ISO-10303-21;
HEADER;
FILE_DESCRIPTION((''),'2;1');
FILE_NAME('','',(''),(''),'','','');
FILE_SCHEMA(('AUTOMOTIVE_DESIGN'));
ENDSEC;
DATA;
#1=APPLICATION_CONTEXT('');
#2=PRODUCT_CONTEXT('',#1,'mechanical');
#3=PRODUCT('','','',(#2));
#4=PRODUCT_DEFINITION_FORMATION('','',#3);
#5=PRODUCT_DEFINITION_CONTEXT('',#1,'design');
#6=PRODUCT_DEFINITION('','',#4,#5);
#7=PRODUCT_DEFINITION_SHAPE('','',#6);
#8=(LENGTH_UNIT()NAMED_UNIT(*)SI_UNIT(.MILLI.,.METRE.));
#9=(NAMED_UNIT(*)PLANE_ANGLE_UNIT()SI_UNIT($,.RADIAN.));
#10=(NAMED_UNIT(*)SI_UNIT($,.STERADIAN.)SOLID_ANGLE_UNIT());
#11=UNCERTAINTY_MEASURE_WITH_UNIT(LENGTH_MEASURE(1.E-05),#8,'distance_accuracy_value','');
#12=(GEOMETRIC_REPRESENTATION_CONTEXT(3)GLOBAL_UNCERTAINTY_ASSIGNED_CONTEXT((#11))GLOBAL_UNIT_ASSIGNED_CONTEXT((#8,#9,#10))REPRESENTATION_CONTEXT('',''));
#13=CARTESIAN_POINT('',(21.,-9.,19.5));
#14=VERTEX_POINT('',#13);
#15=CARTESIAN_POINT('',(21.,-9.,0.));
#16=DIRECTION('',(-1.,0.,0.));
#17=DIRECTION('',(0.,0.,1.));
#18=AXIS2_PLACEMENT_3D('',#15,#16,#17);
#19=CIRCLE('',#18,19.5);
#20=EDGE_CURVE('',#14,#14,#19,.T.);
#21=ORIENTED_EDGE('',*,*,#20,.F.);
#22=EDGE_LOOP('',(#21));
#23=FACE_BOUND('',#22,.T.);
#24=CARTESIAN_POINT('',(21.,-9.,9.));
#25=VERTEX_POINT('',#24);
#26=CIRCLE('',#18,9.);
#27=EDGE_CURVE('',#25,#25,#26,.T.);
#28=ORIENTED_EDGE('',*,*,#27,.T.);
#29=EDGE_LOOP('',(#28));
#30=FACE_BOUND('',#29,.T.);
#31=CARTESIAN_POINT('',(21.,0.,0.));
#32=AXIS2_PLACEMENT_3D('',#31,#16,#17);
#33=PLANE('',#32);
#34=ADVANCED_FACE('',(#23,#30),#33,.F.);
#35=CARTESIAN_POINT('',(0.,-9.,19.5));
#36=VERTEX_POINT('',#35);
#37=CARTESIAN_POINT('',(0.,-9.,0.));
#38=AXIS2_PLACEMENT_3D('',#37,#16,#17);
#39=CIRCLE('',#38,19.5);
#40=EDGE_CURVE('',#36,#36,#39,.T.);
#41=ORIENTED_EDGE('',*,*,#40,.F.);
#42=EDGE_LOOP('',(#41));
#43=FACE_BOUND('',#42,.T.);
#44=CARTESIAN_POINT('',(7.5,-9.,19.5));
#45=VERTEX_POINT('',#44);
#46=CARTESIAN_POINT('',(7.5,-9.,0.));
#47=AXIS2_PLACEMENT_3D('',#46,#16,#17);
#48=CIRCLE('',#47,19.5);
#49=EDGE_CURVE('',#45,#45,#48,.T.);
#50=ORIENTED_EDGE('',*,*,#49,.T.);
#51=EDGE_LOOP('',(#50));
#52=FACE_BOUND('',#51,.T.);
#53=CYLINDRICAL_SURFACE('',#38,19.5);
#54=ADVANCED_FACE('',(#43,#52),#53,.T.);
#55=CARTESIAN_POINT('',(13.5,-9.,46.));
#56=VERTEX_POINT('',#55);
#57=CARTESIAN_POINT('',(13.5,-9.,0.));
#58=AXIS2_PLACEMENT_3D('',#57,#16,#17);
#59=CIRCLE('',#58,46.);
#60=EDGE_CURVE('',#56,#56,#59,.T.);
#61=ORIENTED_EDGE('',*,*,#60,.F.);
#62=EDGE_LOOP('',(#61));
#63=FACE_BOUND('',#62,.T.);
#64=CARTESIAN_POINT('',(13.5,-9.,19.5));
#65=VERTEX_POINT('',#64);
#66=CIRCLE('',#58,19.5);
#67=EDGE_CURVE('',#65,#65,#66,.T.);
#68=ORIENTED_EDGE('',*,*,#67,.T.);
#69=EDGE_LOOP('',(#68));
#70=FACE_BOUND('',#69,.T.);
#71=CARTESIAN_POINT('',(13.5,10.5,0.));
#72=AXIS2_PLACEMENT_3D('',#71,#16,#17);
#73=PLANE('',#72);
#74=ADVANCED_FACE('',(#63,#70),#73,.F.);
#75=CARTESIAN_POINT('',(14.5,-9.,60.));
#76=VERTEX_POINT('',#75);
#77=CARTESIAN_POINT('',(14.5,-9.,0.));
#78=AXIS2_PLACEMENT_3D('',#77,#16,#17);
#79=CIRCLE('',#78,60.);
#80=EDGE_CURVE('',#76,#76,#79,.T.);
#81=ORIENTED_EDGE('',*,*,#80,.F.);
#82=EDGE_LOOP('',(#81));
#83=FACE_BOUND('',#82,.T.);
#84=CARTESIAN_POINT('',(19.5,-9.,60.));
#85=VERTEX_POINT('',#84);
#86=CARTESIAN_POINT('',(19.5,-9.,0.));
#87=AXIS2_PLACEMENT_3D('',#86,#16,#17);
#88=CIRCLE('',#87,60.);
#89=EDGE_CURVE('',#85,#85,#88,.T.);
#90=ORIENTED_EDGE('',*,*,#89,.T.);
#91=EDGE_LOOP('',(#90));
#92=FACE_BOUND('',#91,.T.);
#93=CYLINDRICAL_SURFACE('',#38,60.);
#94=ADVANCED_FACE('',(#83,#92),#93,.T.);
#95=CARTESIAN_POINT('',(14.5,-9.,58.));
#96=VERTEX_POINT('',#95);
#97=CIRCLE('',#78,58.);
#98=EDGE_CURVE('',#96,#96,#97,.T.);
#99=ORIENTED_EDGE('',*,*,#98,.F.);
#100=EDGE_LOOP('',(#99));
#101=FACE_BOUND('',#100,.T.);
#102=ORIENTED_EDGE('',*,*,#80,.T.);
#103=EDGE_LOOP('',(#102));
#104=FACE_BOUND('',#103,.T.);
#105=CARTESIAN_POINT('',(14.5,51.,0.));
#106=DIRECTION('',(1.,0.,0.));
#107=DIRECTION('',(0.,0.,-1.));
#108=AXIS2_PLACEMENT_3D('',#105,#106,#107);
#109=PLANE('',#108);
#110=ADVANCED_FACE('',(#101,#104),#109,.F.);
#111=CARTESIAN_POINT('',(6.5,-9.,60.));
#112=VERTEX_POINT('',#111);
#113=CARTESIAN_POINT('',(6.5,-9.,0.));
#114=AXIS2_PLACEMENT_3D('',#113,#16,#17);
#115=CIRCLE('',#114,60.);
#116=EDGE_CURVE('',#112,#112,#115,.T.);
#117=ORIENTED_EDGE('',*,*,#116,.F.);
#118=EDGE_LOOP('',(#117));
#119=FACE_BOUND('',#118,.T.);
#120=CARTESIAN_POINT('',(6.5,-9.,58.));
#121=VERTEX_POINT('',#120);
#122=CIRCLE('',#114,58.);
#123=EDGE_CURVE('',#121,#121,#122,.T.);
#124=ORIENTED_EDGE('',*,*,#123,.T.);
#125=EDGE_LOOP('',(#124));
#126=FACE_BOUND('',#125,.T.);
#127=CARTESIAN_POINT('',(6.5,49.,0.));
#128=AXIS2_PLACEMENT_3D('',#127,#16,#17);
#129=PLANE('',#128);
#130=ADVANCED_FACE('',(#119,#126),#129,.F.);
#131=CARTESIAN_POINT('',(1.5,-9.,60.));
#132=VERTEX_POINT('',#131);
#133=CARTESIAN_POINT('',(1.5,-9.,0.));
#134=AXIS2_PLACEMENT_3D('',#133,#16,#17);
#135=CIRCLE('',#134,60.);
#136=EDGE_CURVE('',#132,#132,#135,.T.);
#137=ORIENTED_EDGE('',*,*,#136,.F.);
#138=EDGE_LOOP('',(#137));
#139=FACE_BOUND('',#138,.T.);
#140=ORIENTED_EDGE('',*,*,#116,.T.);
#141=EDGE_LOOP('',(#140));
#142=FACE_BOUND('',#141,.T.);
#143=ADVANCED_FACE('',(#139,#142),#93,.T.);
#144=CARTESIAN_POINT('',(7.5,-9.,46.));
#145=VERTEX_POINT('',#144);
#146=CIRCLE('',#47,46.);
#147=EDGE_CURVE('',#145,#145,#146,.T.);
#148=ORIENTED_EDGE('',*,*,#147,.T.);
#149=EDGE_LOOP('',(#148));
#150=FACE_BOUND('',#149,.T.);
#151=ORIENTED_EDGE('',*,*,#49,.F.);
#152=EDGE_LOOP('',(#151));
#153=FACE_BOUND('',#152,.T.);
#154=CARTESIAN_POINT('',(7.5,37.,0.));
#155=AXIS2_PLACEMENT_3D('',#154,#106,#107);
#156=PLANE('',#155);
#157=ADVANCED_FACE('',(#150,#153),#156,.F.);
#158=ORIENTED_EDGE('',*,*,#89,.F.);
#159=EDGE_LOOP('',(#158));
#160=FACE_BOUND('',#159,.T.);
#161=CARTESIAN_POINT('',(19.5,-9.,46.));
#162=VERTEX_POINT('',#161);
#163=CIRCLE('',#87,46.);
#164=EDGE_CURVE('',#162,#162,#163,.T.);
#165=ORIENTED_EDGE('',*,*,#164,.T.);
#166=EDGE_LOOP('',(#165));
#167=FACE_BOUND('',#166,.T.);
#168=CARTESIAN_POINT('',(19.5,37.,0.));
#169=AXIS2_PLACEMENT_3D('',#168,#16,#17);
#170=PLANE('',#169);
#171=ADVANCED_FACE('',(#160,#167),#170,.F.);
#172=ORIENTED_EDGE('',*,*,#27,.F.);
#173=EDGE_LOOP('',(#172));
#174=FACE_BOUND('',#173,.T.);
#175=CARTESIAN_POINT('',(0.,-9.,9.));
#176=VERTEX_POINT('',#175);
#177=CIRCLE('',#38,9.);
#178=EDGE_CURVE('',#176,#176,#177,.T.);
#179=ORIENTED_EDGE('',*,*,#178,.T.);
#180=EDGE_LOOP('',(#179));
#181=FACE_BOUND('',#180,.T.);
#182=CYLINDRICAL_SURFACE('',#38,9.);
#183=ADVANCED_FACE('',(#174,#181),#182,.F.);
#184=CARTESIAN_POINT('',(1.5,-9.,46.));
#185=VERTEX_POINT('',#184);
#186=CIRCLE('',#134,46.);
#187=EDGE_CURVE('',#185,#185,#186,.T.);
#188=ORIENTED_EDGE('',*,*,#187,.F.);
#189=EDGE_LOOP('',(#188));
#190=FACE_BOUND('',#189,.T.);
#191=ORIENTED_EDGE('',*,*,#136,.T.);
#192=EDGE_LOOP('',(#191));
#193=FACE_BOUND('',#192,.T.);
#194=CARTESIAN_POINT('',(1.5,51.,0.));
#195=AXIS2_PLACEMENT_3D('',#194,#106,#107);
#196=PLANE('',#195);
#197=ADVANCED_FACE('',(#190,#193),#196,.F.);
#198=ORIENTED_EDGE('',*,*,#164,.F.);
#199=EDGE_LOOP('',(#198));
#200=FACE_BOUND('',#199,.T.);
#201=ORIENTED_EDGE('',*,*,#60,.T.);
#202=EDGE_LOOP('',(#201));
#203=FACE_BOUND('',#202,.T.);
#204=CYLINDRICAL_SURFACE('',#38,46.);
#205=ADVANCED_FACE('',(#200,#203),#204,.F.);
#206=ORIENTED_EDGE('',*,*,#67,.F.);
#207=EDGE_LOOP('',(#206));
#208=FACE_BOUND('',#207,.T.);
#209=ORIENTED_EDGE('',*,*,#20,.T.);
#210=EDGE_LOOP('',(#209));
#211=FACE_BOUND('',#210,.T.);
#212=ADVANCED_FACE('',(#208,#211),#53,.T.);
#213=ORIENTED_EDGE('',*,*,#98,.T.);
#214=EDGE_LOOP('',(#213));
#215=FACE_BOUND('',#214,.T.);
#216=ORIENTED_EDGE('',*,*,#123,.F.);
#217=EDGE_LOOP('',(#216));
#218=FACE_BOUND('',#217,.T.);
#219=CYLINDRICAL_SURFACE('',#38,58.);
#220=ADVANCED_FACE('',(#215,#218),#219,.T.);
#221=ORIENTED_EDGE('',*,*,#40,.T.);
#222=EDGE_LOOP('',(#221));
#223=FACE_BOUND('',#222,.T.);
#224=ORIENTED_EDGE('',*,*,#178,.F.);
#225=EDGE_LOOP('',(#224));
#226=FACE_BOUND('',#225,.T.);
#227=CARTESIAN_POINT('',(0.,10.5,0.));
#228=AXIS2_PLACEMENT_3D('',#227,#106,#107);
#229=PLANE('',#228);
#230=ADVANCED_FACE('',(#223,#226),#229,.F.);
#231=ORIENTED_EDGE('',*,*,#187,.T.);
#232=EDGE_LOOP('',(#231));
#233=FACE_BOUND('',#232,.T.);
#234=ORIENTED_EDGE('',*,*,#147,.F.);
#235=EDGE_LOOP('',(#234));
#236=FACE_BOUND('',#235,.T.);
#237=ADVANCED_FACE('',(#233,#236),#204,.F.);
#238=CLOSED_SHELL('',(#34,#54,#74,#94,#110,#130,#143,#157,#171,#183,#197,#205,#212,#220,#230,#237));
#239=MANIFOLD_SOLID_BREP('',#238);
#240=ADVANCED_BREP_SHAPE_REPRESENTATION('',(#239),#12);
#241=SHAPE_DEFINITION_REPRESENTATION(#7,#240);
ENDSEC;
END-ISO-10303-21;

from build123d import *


with BuildPart() as part:
    # Esquisse1 → Révolution1 (revolve)
    with BuildSketch(Plane.XY, mode=Mode.PRIVATE) as r_volution1_sk:
        Polygon((0, 0), (21, 0), (21, 10.5), (13.5, 10.5), (13.5, 37), (19.5, 37), (19.5, 51), (14.5, 51), (14.5, 49), (6.5, 49), (6.5, 51), (1.5, 51), (1.5, 37), (7.5, 37), (7.5, 10.5), (0, 10.5), align=None)
    revolve(r_volution1_sk.sketch.rotate(Axis((0, -9, 0), (1, 0, 0)), 90), axis=Axis((0, -9, 0), (1, 0, 0)))


solid = part.part
